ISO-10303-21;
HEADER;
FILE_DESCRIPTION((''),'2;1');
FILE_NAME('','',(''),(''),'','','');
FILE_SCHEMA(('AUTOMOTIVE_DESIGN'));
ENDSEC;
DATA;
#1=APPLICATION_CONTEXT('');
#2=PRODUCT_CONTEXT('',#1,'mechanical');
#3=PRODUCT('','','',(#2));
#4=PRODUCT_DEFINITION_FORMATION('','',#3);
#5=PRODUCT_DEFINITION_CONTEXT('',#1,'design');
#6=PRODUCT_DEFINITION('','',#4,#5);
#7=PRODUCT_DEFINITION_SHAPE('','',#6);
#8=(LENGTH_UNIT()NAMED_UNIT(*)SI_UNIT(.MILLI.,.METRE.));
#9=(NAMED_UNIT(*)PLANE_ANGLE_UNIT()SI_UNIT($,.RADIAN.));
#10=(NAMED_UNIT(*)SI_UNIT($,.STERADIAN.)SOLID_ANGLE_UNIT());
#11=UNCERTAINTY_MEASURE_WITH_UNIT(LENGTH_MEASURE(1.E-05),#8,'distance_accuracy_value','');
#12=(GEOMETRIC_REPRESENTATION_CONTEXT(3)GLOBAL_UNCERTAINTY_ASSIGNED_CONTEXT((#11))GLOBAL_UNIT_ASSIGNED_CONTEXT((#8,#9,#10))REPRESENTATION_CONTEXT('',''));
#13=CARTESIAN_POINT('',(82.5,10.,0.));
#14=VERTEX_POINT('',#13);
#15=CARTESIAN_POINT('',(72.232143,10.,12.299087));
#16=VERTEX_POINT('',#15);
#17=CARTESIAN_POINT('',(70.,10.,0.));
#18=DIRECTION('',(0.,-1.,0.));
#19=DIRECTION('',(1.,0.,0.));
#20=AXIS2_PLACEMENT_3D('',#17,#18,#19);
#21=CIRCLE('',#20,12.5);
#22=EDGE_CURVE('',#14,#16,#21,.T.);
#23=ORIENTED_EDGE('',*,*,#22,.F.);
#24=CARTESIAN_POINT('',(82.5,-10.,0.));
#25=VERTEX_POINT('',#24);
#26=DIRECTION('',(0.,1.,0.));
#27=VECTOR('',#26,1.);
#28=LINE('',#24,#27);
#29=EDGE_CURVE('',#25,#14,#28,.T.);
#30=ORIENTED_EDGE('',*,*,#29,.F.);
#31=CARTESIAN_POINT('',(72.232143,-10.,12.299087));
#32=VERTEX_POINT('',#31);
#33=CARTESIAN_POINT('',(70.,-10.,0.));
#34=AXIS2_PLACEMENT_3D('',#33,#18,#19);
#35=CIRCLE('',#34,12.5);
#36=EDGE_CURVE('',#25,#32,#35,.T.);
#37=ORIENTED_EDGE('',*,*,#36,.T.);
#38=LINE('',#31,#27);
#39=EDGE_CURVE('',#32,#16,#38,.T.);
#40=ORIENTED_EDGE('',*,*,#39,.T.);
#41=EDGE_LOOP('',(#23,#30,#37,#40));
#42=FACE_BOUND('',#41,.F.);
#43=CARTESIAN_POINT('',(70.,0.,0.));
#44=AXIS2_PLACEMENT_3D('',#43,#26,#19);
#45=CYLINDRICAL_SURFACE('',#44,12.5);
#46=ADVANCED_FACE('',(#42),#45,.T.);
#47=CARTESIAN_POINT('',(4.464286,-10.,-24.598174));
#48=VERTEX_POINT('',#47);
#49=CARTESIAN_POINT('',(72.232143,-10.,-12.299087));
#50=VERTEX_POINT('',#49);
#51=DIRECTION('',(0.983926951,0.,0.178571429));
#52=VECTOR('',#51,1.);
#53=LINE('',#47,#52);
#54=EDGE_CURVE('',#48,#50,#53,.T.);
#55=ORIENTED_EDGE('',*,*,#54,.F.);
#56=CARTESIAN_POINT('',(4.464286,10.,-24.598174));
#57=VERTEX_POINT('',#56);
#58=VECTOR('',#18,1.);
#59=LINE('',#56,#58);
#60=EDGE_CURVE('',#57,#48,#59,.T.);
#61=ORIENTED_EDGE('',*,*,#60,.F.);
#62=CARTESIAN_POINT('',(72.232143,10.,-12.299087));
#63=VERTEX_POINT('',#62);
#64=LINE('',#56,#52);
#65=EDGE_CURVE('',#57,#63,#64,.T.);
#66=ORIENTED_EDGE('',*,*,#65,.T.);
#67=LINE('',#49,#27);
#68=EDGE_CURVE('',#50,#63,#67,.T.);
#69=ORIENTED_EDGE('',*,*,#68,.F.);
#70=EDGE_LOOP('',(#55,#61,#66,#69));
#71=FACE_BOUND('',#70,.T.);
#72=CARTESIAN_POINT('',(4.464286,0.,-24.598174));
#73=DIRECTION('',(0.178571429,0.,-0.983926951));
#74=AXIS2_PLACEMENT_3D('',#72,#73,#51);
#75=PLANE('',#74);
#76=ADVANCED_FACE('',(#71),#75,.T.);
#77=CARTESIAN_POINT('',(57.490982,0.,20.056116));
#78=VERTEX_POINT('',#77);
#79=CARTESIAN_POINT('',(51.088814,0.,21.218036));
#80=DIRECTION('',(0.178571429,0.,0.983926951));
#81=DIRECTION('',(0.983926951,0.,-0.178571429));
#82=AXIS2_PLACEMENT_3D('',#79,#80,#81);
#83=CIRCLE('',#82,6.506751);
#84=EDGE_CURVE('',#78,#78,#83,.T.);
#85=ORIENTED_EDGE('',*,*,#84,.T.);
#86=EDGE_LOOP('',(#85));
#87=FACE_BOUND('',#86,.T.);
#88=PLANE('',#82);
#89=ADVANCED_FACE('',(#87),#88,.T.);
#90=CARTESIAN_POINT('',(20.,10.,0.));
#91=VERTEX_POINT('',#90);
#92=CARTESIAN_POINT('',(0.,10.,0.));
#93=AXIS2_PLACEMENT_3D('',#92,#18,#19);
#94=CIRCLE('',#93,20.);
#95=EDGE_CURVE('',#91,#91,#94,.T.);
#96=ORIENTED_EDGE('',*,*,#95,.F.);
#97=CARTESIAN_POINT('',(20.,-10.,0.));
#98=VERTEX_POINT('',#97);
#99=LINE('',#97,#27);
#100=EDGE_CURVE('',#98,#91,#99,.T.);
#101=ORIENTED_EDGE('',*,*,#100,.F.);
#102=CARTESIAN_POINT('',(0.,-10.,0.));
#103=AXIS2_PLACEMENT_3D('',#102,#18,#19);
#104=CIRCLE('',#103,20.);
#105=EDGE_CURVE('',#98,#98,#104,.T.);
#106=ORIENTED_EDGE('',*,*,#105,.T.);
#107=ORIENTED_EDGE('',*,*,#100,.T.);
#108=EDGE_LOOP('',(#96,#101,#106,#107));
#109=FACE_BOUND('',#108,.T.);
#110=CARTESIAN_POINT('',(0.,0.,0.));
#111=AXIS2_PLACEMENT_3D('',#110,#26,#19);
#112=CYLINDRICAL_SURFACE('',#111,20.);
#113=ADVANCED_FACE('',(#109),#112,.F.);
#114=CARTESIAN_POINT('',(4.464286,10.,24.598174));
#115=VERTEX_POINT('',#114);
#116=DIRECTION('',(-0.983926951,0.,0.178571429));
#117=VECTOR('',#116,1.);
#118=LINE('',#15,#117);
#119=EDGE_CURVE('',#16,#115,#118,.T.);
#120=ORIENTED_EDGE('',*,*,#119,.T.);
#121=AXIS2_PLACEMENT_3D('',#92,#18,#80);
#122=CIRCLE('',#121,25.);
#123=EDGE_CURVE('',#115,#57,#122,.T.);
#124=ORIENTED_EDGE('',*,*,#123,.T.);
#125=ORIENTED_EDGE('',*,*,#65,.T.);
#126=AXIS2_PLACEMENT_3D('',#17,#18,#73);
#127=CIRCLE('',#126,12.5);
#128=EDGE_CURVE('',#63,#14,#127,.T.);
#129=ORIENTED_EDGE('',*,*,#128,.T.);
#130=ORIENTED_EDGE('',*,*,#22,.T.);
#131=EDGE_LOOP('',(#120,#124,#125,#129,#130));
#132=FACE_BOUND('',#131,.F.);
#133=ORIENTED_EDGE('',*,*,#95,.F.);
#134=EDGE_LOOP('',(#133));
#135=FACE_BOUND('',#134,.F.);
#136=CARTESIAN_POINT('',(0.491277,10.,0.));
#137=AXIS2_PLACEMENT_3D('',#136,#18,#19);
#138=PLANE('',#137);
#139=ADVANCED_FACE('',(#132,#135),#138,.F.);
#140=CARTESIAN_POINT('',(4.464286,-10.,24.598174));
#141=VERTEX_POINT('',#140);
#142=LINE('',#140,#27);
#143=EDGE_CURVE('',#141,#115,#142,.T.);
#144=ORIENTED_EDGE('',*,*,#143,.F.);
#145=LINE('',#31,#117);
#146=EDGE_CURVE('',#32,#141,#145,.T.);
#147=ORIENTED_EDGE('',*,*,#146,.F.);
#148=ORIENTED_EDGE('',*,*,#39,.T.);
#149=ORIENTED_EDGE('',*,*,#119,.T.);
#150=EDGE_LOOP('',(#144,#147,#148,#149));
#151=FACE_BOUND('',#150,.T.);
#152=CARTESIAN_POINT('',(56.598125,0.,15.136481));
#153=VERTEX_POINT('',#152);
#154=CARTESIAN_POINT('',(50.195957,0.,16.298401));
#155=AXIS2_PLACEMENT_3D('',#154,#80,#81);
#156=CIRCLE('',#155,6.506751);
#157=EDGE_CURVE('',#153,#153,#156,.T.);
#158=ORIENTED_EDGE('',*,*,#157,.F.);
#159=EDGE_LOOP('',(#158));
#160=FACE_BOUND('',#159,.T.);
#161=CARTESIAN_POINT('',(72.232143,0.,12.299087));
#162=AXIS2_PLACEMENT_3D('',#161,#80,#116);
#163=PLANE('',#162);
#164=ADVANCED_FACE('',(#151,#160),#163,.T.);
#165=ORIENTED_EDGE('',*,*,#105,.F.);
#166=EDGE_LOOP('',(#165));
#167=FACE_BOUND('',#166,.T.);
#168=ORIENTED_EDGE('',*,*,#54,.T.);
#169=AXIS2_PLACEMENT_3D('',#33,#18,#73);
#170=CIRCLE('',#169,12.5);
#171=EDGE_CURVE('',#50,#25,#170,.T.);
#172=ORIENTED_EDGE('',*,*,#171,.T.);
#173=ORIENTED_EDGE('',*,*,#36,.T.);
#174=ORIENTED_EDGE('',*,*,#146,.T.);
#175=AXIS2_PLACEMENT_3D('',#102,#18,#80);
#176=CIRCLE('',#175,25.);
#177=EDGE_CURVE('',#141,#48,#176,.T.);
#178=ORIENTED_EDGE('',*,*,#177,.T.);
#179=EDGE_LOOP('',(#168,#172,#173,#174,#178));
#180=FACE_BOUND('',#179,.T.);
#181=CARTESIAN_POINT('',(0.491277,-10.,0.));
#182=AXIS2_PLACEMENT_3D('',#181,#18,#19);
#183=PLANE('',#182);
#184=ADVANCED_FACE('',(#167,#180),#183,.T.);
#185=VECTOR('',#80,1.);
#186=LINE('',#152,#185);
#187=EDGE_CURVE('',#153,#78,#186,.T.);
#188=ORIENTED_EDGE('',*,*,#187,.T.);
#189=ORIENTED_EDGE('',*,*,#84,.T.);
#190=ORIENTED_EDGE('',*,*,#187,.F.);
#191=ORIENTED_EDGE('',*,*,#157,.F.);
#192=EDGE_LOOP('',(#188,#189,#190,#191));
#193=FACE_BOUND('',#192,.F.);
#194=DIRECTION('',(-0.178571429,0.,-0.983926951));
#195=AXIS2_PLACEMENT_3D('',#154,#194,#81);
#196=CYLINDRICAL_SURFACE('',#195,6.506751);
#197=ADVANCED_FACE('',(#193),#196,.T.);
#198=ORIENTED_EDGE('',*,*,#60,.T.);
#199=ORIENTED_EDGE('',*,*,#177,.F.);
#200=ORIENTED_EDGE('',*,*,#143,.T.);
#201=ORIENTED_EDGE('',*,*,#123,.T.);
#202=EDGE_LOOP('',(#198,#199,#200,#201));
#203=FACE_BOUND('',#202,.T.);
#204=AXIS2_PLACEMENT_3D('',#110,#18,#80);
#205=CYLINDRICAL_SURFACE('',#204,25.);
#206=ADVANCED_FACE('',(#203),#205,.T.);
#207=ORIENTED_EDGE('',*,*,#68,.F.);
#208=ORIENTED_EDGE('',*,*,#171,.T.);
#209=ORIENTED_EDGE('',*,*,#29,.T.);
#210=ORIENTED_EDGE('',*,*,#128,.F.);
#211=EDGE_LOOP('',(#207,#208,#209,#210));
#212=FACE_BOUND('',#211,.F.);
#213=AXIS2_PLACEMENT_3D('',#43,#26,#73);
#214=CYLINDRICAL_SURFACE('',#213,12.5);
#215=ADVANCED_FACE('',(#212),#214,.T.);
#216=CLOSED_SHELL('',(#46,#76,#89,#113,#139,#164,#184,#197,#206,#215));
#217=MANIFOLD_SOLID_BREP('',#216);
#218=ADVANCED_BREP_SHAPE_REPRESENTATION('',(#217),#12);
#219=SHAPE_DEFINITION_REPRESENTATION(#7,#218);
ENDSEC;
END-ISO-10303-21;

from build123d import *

# Parameters (mm, degrees)
F0_R     = 20
F1_DEPTH = 10
F2_R     = 6.5067512216
F3_DEPTH = 5


with BuildPart() as f1:
    # F0 (on Front) → F1 (new body, symmetric)
    with BuildSketch(Plane.XZ):
        with BuildLine():
            ThreePointArc((4.4642857143, -24.5981737749), (19.1912368395, -16.0217486115), (25, 0))
            ThreePointArc((25, 0), (19.1912368395, 16.0217486115), (4.4642857143, 24.5981737749))
            ThreePointArc((4.4642857143, 24.5981737749), (-25, 0), (4.4642857143, -24.5981737749))
        make_face()
        Circle(F0_R, mode=Mode.SUBTRACT)
        with BuildLine():
            ThreePointArc((4.4642857143, 24.5981737749), (19.1912368395, 16.0217486115), (25, 0))
            ThreePointArc((25, 0), (19.1912368395, -16.0217486115), (4.4642857143, -24.5981737749))
            Line((4.4642857143, -24.5981737749), (72.2321428571, -12.2990868875))
            ThreePointArc((72.2321428571, -12.2990868875), (57.5, 0), (72.2321428571, 12.2990868875))
            Line((72.2321428571, 12.2990868875), (4.4642857143, 24.5981737749))
        make_face()
        with BuildLine():
            ThreePointArc((82.5, 0), (79.5956184197, 8.0108743058), (72.2321428571, 12.2990868875))
            ThreePointArc((72.2321428571, 12.2990868875), (57.5, 0), (72.2321428571, -12.2990868875))
            ThreePointArc((72.2321428571, -12.2990868875), (79.5956184197, -8.0108743058), (82.5, 0))
        make_face()
    extrude(amount=F1_DEPTH, both=True)

    # F2 (on face) → F3 (join)
    with BuildSketch(Plane(origin=(4.4642857143, 0, 24.5981737749), x_dir=(0.983926951, 0, -0.1785714286), z_dir=(0.1785714286, 0, 0.983926951))):
        with Locations((46.4787259698, 0)):
            Circle(F2_R)
    extrude(amount=F3_DEPTH)


solid = f1.part
